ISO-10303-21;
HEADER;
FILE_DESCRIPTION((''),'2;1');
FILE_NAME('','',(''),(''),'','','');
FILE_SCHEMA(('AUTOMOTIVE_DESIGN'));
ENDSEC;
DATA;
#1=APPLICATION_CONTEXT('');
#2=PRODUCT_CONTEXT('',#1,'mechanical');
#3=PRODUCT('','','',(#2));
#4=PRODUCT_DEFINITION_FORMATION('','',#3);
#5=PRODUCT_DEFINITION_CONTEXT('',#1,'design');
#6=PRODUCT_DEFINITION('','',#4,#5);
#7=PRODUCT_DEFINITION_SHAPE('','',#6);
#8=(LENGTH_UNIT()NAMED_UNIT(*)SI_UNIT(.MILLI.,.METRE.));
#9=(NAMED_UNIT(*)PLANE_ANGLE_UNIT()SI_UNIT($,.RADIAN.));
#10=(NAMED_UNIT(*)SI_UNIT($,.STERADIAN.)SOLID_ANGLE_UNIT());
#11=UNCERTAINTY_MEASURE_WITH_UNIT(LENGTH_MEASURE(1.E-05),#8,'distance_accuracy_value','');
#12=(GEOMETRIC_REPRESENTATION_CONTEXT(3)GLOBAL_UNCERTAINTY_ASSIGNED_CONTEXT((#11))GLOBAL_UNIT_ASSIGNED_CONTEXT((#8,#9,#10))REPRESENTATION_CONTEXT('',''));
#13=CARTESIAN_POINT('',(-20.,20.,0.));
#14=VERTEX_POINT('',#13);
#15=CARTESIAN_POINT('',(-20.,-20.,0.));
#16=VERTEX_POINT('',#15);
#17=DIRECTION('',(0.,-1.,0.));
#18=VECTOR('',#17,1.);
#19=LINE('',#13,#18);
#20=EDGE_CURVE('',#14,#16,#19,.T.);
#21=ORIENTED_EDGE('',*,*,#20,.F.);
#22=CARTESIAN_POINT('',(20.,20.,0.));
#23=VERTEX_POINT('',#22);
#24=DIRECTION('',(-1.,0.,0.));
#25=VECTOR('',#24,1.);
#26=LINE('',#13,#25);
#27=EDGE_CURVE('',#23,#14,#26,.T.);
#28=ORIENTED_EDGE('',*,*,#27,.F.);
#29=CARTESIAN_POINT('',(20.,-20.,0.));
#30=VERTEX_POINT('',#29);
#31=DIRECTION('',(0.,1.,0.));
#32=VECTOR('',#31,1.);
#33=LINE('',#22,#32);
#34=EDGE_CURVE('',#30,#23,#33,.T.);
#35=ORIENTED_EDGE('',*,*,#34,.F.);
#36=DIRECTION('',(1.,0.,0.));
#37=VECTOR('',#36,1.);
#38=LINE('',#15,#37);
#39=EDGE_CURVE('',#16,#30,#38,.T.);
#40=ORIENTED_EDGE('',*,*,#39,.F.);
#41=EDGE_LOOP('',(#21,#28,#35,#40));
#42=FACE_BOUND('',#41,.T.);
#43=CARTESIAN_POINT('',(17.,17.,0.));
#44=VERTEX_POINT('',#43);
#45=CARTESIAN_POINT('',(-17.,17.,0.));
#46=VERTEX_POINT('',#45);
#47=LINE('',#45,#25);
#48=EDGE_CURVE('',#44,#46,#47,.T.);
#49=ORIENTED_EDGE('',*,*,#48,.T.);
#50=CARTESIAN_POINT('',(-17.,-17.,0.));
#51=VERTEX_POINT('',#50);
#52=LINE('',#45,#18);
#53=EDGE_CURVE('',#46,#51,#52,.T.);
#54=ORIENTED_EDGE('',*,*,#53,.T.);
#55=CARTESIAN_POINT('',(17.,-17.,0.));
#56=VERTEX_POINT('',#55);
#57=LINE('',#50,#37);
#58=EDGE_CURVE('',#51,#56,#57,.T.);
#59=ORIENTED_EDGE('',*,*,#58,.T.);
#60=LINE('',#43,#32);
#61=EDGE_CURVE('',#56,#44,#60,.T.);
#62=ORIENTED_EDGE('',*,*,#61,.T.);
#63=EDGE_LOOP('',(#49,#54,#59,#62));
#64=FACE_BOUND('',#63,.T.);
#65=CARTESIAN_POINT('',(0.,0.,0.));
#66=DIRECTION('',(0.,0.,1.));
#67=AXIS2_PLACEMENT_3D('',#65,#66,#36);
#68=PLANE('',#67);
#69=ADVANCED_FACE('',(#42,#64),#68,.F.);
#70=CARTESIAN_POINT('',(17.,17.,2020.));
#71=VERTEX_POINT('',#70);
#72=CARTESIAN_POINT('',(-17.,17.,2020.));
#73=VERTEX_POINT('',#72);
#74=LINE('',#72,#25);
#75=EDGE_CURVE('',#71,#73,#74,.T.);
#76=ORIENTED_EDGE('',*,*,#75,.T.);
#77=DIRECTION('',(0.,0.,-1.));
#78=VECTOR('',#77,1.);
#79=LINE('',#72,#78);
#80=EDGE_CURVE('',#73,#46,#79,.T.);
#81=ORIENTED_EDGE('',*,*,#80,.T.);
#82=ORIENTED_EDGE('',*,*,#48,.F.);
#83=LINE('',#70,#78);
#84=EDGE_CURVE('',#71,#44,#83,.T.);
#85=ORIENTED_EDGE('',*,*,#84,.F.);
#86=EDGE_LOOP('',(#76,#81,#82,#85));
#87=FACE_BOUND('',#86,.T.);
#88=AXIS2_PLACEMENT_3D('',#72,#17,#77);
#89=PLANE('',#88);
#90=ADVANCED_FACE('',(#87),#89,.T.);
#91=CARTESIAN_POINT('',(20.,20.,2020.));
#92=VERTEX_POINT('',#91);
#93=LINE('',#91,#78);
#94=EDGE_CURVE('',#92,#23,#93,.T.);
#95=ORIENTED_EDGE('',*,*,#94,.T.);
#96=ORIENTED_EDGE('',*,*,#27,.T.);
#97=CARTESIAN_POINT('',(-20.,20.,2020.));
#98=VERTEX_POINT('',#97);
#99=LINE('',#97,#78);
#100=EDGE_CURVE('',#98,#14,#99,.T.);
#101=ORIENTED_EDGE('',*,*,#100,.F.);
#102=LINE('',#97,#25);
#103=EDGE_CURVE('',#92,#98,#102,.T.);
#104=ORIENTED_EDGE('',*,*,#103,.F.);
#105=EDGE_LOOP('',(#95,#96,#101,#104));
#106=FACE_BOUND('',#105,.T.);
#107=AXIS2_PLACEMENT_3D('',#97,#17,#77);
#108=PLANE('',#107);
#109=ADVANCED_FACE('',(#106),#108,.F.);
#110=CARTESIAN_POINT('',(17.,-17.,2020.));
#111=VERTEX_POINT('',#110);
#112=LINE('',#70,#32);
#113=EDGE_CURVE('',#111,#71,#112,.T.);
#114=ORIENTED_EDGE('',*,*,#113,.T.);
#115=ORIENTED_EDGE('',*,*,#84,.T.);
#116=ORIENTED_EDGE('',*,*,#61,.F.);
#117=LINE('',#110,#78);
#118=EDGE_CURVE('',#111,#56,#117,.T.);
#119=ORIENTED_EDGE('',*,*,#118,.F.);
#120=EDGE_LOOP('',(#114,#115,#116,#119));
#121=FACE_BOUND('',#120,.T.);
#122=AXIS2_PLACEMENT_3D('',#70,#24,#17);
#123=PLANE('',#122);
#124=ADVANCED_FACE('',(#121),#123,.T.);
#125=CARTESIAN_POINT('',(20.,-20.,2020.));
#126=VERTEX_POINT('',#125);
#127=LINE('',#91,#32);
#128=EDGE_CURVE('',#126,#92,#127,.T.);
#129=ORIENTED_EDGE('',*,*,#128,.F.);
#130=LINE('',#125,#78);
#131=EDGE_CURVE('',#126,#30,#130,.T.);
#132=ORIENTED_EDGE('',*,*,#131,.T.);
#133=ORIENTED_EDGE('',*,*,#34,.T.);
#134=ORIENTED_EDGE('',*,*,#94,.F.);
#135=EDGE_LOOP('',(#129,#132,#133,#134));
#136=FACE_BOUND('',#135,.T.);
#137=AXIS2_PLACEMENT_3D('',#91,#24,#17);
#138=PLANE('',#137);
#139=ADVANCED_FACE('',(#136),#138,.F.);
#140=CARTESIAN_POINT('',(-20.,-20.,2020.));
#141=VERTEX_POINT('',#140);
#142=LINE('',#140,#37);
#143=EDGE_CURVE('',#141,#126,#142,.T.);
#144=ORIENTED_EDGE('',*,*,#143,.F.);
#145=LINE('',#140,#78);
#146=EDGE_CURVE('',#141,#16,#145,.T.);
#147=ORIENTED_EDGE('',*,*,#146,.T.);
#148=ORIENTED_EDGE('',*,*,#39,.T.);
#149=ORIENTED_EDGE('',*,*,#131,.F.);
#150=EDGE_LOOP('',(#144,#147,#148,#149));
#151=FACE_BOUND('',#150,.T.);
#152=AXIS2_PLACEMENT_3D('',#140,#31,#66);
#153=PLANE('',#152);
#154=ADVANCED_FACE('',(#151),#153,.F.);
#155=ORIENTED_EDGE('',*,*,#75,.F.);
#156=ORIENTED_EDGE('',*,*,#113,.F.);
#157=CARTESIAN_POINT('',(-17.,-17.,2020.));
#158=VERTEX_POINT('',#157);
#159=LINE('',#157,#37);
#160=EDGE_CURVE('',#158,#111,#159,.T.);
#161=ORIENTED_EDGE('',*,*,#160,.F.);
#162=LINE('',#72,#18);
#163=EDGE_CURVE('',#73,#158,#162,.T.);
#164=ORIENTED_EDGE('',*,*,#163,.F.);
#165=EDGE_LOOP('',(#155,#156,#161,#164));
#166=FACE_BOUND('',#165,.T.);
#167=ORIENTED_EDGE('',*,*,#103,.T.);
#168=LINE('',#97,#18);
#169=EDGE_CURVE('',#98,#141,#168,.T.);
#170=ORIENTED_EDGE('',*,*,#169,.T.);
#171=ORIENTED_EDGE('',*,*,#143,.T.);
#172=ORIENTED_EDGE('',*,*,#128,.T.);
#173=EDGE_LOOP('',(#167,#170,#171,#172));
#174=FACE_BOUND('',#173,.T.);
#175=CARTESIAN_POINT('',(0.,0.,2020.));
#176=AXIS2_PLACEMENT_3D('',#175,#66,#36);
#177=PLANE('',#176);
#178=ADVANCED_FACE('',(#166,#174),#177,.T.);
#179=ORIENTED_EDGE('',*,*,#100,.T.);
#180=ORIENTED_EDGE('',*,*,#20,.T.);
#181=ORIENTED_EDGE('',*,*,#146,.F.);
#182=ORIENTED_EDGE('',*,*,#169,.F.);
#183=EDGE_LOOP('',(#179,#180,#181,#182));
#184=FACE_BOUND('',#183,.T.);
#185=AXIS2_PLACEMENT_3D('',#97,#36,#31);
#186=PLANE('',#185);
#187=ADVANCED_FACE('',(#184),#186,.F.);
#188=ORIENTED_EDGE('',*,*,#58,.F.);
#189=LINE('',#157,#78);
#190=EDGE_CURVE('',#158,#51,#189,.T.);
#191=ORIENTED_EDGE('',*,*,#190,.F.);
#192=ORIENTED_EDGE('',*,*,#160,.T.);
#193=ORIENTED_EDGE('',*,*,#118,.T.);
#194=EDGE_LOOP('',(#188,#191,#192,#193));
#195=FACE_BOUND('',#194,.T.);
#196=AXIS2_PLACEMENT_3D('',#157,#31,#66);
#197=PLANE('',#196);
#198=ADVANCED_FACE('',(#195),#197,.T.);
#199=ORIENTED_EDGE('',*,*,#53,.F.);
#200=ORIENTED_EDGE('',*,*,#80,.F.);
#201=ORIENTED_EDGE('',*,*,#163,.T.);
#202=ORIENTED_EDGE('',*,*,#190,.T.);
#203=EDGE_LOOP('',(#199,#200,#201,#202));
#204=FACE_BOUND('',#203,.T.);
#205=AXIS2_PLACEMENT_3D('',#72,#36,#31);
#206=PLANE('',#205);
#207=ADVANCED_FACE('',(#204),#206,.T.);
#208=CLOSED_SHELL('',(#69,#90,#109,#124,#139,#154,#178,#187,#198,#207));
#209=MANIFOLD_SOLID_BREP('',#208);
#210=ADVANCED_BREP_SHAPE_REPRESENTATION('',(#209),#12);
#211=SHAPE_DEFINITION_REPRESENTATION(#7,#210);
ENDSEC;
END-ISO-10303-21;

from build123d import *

# Parameters (mm, degrees)
SKETCH_1_W      = 40
SKETCH_1_H      = 40
SKETCH_1_W_2    = 34
SKETCH_1_H_2    = 34
EXTRUDE_1_DEPTH = 2020


with BuildPart() as part:
    # Эскиз1 → Бобышка-Вытянуть1 (new body)
    with BuildSketch(Plane.XY):
        Rectangle(SKETCH_1_W, SKETCH_1_H)
        Rectangle(SKETCH_1_W_2, SKETCH_1_H_2, mode=Mode.SUBTRACT)
    extrude(amount=EXTRUDE_1_DEPTH)


solid = part.part
